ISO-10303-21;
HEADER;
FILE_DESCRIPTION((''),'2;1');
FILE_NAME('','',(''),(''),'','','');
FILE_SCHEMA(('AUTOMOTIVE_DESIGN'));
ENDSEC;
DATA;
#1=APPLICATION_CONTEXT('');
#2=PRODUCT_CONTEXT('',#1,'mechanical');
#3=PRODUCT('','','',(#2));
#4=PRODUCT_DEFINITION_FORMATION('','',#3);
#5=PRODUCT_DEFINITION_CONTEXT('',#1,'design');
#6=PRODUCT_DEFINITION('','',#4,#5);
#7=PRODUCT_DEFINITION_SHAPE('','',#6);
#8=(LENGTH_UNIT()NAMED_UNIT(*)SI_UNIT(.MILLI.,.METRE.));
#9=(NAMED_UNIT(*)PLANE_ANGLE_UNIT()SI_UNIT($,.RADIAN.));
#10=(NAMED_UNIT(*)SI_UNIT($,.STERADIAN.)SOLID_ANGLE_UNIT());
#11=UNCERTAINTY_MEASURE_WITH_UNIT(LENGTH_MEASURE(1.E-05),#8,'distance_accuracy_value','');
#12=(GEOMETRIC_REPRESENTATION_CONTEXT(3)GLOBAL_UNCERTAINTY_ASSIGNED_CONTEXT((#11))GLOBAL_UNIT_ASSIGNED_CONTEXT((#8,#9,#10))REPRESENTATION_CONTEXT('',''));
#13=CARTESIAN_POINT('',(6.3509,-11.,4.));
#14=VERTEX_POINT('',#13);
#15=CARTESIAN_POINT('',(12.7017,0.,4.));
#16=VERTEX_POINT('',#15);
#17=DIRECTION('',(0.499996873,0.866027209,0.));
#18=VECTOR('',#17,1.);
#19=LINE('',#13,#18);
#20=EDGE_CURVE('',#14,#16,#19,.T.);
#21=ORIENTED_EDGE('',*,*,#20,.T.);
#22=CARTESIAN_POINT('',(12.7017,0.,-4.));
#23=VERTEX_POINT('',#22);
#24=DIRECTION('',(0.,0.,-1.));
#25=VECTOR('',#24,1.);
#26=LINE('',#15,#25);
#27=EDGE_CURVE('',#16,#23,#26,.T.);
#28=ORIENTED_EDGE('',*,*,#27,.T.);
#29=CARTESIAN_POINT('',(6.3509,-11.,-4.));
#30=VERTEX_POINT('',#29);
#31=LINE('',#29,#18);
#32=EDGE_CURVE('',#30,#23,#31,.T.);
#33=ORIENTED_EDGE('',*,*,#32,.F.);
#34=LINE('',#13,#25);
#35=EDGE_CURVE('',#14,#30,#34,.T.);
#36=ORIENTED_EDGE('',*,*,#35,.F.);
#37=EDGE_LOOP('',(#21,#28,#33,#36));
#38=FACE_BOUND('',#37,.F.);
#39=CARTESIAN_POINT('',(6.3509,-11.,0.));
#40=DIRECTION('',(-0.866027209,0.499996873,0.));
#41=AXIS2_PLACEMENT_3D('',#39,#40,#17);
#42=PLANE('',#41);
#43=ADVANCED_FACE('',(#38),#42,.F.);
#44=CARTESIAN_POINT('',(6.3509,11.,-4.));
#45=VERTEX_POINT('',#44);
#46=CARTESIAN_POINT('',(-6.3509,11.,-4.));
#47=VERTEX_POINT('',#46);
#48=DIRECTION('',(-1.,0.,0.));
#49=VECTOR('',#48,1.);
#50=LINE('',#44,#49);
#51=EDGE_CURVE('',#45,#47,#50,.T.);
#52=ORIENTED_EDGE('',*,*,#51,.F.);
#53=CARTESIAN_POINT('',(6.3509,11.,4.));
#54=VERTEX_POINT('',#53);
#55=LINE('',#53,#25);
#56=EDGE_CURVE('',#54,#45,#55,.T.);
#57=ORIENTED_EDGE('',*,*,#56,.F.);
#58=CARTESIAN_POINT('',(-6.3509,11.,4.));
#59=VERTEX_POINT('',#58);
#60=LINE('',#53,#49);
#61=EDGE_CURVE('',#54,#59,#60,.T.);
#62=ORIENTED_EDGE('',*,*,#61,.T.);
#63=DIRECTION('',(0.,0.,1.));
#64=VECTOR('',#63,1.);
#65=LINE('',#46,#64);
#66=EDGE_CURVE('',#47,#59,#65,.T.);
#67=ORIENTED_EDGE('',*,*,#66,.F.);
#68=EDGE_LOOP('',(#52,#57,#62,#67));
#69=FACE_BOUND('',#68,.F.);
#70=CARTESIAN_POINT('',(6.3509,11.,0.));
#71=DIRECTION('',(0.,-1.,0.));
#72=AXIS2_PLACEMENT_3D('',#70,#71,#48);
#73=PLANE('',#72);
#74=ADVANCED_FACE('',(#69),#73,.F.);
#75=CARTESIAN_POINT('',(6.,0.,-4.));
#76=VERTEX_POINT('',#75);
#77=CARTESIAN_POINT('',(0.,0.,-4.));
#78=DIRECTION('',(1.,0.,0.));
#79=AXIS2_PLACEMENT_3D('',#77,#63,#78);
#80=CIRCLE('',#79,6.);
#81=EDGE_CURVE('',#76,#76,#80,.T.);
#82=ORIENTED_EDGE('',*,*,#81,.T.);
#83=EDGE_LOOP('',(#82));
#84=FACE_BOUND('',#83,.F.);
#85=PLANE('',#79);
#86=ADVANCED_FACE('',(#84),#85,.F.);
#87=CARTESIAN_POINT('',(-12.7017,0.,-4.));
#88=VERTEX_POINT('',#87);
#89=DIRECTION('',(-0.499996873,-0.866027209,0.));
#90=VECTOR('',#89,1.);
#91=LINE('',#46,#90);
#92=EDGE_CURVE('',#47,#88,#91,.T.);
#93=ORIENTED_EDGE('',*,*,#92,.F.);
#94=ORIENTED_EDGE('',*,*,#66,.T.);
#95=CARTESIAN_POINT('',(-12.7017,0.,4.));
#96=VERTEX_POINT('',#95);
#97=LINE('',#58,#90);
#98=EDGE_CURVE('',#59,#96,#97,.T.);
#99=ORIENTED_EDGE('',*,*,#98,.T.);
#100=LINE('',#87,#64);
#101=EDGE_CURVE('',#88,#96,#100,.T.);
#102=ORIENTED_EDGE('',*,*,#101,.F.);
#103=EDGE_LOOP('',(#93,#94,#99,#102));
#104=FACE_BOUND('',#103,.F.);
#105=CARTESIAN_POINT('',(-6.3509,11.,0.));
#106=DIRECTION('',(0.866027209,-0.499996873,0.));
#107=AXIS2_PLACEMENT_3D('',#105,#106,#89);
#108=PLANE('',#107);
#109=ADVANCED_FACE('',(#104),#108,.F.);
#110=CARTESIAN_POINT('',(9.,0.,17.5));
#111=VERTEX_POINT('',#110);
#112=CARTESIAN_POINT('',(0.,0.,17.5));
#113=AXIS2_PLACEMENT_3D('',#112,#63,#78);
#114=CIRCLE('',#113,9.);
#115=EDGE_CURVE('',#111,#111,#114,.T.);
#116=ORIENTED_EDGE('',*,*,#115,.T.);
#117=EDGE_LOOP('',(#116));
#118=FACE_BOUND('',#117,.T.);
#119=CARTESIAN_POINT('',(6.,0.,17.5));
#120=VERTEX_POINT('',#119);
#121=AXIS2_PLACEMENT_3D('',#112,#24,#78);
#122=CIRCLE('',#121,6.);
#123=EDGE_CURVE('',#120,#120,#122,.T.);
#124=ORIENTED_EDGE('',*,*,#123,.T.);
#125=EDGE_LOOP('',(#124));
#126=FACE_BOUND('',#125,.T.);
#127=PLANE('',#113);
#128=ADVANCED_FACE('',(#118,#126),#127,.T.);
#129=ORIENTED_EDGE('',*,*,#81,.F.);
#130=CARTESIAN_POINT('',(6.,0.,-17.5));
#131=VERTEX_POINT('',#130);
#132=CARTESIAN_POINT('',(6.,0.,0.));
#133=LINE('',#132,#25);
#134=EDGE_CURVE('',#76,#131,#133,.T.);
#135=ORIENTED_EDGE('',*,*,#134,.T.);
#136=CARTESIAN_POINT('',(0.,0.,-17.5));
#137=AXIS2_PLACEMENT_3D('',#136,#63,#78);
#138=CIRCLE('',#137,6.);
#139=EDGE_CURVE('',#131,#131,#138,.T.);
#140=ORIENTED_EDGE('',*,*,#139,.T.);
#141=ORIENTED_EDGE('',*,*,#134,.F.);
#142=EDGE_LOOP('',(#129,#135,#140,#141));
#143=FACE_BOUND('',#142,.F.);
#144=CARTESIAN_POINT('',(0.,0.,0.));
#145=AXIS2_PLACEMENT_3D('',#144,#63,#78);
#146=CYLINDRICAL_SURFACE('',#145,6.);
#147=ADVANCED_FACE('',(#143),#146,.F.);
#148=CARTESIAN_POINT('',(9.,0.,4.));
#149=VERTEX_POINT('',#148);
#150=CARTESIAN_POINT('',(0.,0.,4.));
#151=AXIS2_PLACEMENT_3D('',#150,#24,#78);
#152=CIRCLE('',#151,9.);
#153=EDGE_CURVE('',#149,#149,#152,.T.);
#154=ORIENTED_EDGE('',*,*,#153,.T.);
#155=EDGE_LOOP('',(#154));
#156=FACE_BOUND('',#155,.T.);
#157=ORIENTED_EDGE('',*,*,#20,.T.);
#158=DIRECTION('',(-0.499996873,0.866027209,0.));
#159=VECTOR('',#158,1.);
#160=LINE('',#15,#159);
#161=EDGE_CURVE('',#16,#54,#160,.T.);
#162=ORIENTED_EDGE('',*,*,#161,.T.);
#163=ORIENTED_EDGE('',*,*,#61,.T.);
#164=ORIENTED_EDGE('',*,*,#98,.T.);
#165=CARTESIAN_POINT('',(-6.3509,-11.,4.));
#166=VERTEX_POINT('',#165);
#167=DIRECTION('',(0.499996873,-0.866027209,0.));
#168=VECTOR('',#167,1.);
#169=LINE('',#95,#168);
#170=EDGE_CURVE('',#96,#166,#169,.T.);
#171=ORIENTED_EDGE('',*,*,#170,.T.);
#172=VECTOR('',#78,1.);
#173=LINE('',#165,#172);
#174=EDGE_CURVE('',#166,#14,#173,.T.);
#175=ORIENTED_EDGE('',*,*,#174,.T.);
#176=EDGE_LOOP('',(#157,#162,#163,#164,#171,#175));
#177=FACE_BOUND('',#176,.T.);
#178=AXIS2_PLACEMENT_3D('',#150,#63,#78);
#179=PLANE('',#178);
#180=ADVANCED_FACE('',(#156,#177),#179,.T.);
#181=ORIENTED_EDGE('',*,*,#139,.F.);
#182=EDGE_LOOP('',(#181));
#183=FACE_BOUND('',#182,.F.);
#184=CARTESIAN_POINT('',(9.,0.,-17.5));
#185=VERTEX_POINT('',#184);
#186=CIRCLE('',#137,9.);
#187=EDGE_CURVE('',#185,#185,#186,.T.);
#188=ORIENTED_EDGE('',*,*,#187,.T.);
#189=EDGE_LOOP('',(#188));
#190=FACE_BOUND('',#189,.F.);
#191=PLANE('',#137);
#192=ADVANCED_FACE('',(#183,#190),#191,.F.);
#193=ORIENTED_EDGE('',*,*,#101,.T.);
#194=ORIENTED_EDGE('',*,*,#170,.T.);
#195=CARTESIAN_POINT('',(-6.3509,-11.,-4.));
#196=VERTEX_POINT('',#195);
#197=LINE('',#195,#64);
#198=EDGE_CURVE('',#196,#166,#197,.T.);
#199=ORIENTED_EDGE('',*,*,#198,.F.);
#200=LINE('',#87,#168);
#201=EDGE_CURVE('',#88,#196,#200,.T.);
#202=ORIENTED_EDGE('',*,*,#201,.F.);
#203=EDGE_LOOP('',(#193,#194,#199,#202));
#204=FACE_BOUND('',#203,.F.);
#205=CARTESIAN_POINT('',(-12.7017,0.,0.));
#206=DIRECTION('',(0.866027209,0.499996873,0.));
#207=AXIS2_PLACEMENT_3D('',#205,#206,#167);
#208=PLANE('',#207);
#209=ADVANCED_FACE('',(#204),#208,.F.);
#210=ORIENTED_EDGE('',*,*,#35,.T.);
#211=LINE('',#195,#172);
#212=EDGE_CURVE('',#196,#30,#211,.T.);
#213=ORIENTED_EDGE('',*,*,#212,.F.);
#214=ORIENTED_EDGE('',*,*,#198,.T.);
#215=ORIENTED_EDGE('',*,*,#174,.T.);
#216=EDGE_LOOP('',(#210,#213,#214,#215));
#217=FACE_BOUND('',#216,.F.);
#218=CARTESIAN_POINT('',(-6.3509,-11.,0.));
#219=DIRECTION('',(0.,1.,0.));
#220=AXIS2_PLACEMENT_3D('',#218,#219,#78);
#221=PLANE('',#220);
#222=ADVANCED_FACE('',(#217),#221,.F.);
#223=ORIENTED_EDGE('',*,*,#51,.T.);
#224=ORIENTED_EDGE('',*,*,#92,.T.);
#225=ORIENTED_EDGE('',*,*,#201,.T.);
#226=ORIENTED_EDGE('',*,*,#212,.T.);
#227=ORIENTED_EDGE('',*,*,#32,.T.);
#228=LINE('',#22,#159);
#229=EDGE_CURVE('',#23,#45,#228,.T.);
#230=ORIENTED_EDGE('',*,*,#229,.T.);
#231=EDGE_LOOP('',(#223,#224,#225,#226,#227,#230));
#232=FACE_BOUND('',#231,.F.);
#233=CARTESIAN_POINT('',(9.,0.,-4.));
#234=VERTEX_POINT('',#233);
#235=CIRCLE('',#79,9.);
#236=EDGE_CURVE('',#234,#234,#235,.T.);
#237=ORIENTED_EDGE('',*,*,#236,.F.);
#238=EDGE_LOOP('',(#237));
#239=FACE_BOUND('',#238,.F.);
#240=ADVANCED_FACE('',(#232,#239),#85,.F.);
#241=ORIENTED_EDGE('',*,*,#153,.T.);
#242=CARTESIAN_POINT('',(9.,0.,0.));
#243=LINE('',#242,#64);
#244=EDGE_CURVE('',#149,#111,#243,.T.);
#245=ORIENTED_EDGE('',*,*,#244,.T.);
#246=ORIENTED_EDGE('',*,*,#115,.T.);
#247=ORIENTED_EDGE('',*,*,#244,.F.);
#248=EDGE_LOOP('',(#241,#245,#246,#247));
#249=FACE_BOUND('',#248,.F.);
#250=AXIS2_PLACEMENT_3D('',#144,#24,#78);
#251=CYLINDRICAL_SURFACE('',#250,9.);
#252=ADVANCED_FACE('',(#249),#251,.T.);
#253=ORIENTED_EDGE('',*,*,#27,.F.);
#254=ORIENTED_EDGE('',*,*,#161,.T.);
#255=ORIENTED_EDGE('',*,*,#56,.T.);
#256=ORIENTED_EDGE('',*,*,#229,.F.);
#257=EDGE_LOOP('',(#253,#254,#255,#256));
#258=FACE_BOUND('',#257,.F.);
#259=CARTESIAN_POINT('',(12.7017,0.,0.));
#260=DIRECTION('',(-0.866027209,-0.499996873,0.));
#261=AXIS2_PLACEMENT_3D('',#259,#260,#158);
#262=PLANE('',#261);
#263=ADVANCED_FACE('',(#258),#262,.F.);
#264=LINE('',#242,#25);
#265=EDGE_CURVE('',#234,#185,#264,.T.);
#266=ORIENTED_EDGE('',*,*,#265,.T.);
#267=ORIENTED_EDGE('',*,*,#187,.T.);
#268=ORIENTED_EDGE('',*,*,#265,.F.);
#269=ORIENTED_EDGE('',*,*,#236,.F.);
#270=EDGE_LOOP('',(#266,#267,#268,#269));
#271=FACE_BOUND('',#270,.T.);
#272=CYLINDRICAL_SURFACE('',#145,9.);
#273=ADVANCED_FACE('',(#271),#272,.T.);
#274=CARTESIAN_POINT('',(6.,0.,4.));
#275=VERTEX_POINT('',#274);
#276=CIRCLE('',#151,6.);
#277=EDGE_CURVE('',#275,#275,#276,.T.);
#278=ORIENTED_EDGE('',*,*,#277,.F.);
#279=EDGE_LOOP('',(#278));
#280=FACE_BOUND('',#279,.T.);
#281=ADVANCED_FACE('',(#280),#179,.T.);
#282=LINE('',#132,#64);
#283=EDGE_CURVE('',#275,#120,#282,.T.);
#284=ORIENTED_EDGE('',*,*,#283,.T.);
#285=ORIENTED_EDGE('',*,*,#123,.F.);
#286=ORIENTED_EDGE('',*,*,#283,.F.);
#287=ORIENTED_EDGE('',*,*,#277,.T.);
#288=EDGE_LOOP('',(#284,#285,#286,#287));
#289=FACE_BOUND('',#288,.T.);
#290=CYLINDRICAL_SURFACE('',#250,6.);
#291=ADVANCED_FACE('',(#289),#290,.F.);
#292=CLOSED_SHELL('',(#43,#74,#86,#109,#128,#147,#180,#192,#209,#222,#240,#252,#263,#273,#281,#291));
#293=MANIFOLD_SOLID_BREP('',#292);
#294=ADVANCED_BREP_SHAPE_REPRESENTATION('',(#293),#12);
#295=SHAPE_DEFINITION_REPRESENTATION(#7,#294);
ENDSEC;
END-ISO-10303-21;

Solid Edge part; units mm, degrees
sketch "Sketch1" plane through (0, 0, 0) normal (0, 0, 1) x (1, 0, 0)
  circle A0 centre (0, 0) radius 9
  dimension "D1" = 18
extrude "Protrusion1" add sketch "Sketch1" along normal mid plane 35
sketch "Sketch2" plane through (0, 0, 0) normal (0, 0, 1) x (1, 0, 0)
  circle A0 centre (0, 0) radius 6
  dimension "D1" = 12
extrude "Cutout1" cut sketch "Sketch2" along normal through all and the other way through all
sketch "Sketch3" plane through (0, 0, 0) normal (0, 0, 1) x (1, 0, 0)
  line L0 (6.3509, 11) -> (-6.3509, 11)
  line L1 (-6.3509, 11) -> (-12.7017, 0)
  line L2 (-12.7017, 0) -> (-6.3509, -11)
  line L3 (-6.3509, -11) -> (6.3509, -11)
  line L4 (6.3509, -11) -> (12.7017, 0)
  line L5 (12.7017, 0) -> (6.3509, 11)
  dimension "D1" = 11
  dimension "D2" = 22
extrude "ExtrudedProtrusion_2" add sketch "Sketch3" along normal mid plane 8
